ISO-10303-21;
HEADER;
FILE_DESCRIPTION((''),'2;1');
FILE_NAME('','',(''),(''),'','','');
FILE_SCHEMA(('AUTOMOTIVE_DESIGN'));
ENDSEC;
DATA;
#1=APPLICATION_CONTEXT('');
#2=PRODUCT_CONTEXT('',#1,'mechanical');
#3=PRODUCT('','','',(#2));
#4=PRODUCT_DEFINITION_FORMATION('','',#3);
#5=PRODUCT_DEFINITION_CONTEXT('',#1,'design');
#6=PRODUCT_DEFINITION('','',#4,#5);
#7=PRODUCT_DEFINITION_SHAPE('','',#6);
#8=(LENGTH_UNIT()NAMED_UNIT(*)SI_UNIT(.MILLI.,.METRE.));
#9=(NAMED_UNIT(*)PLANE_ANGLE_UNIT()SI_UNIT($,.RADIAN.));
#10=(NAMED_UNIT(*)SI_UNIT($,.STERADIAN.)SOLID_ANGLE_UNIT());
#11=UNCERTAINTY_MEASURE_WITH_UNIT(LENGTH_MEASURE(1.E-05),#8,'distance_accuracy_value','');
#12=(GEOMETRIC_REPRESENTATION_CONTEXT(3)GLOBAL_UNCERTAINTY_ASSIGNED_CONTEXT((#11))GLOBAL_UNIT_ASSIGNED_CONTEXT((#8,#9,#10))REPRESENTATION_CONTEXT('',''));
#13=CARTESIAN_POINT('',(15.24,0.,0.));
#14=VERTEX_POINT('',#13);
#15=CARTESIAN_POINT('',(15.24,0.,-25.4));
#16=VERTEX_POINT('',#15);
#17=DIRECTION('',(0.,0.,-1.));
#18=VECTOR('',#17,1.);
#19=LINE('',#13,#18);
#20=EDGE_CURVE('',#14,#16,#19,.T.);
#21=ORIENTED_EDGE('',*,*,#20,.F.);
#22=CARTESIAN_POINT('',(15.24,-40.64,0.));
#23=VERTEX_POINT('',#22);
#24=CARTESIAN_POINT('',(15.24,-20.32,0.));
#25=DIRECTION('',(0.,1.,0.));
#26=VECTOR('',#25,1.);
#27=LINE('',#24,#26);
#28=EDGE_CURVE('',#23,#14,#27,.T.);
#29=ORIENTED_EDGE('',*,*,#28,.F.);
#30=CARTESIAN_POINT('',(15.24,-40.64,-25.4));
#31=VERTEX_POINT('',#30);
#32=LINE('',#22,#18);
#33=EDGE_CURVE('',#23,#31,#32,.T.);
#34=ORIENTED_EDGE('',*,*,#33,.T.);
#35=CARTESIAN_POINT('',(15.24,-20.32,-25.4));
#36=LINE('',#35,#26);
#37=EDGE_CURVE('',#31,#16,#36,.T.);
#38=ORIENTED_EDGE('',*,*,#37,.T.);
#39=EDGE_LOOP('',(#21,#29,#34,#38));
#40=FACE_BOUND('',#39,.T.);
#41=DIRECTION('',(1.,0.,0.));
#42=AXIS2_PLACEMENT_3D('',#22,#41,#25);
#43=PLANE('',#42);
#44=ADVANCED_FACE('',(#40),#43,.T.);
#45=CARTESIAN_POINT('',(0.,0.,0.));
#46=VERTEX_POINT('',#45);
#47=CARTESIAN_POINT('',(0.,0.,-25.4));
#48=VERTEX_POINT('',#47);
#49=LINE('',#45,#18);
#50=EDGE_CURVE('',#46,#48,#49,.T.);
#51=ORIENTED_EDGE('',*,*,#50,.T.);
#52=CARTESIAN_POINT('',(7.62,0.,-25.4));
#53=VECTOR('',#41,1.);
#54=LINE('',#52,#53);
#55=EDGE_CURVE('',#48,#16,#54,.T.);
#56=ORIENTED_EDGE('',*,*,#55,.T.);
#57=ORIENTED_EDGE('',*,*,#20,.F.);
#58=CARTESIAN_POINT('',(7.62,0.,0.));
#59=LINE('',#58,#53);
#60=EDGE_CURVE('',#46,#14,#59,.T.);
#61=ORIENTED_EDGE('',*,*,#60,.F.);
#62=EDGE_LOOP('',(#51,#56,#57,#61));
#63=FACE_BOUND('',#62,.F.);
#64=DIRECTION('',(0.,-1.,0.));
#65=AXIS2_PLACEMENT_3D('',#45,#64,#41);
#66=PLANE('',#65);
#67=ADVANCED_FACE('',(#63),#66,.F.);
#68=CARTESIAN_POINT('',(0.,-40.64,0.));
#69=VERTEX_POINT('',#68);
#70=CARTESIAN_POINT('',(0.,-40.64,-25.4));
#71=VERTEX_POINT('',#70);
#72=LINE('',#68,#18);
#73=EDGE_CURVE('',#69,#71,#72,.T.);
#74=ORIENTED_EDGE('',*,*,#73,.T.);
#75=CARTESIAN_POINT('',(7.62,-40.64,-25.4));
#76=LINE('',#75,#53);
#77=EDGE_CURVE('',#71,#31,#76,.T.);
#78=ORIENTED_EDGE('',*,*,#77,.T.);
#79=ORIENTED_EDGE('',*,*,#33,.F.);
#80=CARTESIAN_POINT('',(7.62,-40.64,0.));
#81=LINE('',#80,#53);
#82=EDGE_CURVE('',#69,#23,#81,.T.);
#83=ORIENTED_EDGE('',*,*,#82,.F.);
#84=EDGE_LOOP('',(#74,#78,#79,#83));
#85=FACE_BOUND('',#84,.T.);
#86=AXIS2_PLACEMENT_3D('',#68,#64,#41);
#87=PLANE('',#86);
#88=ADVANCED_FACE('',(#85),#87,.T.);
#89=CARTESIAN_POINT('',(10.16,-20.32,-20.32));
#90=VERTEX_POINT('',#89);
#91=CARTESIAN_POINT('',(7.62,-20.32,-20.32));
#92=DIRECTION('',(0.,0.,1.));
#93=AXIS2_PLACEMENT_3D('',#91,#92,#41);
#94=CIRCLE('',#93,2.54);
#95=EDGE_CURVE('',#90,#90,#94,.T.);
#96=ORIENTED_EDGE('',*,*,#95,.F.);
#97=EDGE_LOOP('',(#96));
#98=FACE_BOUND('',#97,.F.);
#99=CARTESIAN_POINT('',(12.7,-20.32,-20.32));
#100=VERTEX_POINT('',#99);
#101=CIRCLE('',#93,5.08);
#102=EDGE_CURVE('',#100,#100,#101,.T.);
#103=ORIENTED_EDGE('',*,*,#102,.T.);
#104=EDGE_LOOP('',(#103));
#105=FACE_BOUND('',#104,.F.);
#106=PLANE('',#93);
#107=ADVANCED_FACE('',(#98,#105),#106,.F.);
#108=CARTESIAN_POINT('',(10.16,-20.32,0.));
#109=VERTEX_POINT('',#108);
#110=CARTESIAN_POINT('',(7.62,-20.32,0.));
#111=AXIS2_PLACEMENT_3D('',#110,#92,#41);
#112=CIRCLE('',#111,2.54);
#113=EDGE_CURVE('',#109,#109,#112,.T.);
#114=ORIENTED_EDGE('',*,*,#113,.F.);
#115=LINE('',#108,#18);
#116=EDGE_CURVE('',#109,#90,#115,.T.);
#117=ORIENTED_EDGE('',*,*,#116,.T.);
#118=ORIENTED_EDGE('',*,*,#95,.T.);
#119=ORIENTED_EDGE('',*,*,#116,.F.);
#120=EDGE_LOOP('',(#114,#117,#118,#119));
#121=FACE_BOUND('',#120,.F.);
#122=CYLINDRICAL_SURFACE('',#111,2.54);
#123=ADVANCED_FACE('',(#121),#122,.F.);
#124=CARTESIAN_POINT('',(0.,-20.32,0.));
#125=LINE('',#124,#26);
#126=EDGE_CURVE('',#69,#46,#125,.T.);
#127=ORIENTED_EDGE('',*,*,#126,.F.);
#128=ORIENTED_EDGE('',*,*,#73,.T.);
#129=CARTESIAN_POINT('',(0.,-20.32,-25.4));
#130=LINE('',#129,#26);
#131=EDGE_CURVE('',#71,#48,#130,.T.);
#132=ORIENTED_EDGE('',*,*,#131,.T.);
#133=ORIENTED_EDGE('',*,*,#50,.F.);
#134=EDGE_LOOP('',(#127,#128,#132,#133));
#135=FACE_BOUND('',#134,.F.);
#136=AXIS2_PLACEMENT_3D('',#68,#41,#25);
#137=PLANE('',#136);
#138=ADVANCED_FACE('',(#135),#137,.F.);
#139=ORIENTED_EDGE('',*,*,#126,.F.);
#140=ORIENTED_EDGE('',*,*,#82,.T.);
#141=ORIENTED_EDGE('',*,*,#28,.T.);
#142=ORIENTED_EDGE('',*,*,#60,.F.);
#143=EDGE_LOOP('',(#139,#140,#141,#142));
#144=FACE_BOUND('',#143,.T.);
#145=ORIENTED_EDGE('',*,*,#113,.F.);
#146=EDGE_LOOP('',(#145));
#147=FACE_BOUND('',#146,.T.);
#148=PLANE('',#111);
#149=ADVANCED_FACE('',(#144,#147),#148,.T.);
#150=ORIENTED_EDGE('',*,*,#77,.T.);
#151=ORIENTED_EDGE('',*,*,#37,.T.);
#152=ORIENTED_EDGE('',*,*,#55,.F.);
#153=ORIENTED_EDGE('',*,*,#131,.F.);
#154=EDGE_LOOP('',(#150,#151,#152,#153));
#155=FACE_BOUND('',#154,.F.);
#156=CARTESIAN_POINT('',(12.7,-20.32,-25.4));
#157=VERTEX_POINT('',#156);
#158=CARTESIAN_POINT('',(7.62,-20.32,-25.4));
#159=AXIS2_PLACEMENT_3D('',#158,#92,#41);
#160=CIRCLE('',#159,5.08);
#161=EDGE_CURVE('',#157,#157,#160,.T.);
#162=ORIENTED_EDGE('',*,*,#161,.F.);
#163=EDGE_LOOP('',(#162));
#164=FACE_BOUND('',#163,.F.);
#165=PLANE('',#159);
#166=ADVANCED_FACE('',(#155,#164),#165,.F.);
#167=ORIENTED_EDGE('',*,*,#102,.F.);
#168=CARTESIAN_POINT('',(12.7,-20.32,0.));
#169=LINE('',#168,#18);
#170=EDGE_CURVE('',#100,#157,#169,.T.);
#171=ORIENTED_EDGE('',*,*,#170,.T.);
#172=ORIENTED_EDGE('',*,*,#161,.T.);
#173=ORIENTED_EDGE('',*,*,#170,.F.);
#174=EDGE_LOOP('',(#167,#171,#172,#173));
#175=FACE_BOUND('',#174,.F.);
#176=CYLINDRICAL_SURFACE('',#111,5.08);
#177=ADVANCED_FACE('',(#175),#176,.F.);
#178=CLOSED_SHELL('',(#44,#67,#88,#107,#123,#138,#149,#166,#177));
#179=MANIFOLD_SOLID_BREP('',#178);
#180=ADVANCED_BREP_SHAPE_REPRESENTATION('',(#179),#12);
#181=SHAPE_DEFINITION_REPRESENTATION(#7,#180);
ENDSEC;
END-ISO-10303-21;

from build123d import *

# Parameters (mm, degrees)
F0_W     = 15.24
F0_H     = 40.64
F0_R     = 5.08
F1_DEPTH = 25.4
F0_R_2   = 2.54
F2_DEPTH = 20.32


with BuildPart() as f1:
    # F0 (on Top) → F1 (new body)
    with BuildSketch(Plane.XY):
        with Locations((7.62, -20.32)):
            Rectangle(F0_W, F0_H)
        with Locations((7.62, -20.32)):
            Circle(F0_R, mode=Mode.SUBTRACT)
    extrude(amount=-F1_DEPTH)

    # F0 (on Top) → F2 (join)
    with BuildSketch(Plane.XY):
        with Locations((7.62, -20.32)):
            Circle(F0_R)
        with Locations((7.62, -20.32)):
            Circle(F0_R_2, mode=Mode.SUBTRACT)
    extrude(amount=-F2_DEPTH)


solid = f1.part
